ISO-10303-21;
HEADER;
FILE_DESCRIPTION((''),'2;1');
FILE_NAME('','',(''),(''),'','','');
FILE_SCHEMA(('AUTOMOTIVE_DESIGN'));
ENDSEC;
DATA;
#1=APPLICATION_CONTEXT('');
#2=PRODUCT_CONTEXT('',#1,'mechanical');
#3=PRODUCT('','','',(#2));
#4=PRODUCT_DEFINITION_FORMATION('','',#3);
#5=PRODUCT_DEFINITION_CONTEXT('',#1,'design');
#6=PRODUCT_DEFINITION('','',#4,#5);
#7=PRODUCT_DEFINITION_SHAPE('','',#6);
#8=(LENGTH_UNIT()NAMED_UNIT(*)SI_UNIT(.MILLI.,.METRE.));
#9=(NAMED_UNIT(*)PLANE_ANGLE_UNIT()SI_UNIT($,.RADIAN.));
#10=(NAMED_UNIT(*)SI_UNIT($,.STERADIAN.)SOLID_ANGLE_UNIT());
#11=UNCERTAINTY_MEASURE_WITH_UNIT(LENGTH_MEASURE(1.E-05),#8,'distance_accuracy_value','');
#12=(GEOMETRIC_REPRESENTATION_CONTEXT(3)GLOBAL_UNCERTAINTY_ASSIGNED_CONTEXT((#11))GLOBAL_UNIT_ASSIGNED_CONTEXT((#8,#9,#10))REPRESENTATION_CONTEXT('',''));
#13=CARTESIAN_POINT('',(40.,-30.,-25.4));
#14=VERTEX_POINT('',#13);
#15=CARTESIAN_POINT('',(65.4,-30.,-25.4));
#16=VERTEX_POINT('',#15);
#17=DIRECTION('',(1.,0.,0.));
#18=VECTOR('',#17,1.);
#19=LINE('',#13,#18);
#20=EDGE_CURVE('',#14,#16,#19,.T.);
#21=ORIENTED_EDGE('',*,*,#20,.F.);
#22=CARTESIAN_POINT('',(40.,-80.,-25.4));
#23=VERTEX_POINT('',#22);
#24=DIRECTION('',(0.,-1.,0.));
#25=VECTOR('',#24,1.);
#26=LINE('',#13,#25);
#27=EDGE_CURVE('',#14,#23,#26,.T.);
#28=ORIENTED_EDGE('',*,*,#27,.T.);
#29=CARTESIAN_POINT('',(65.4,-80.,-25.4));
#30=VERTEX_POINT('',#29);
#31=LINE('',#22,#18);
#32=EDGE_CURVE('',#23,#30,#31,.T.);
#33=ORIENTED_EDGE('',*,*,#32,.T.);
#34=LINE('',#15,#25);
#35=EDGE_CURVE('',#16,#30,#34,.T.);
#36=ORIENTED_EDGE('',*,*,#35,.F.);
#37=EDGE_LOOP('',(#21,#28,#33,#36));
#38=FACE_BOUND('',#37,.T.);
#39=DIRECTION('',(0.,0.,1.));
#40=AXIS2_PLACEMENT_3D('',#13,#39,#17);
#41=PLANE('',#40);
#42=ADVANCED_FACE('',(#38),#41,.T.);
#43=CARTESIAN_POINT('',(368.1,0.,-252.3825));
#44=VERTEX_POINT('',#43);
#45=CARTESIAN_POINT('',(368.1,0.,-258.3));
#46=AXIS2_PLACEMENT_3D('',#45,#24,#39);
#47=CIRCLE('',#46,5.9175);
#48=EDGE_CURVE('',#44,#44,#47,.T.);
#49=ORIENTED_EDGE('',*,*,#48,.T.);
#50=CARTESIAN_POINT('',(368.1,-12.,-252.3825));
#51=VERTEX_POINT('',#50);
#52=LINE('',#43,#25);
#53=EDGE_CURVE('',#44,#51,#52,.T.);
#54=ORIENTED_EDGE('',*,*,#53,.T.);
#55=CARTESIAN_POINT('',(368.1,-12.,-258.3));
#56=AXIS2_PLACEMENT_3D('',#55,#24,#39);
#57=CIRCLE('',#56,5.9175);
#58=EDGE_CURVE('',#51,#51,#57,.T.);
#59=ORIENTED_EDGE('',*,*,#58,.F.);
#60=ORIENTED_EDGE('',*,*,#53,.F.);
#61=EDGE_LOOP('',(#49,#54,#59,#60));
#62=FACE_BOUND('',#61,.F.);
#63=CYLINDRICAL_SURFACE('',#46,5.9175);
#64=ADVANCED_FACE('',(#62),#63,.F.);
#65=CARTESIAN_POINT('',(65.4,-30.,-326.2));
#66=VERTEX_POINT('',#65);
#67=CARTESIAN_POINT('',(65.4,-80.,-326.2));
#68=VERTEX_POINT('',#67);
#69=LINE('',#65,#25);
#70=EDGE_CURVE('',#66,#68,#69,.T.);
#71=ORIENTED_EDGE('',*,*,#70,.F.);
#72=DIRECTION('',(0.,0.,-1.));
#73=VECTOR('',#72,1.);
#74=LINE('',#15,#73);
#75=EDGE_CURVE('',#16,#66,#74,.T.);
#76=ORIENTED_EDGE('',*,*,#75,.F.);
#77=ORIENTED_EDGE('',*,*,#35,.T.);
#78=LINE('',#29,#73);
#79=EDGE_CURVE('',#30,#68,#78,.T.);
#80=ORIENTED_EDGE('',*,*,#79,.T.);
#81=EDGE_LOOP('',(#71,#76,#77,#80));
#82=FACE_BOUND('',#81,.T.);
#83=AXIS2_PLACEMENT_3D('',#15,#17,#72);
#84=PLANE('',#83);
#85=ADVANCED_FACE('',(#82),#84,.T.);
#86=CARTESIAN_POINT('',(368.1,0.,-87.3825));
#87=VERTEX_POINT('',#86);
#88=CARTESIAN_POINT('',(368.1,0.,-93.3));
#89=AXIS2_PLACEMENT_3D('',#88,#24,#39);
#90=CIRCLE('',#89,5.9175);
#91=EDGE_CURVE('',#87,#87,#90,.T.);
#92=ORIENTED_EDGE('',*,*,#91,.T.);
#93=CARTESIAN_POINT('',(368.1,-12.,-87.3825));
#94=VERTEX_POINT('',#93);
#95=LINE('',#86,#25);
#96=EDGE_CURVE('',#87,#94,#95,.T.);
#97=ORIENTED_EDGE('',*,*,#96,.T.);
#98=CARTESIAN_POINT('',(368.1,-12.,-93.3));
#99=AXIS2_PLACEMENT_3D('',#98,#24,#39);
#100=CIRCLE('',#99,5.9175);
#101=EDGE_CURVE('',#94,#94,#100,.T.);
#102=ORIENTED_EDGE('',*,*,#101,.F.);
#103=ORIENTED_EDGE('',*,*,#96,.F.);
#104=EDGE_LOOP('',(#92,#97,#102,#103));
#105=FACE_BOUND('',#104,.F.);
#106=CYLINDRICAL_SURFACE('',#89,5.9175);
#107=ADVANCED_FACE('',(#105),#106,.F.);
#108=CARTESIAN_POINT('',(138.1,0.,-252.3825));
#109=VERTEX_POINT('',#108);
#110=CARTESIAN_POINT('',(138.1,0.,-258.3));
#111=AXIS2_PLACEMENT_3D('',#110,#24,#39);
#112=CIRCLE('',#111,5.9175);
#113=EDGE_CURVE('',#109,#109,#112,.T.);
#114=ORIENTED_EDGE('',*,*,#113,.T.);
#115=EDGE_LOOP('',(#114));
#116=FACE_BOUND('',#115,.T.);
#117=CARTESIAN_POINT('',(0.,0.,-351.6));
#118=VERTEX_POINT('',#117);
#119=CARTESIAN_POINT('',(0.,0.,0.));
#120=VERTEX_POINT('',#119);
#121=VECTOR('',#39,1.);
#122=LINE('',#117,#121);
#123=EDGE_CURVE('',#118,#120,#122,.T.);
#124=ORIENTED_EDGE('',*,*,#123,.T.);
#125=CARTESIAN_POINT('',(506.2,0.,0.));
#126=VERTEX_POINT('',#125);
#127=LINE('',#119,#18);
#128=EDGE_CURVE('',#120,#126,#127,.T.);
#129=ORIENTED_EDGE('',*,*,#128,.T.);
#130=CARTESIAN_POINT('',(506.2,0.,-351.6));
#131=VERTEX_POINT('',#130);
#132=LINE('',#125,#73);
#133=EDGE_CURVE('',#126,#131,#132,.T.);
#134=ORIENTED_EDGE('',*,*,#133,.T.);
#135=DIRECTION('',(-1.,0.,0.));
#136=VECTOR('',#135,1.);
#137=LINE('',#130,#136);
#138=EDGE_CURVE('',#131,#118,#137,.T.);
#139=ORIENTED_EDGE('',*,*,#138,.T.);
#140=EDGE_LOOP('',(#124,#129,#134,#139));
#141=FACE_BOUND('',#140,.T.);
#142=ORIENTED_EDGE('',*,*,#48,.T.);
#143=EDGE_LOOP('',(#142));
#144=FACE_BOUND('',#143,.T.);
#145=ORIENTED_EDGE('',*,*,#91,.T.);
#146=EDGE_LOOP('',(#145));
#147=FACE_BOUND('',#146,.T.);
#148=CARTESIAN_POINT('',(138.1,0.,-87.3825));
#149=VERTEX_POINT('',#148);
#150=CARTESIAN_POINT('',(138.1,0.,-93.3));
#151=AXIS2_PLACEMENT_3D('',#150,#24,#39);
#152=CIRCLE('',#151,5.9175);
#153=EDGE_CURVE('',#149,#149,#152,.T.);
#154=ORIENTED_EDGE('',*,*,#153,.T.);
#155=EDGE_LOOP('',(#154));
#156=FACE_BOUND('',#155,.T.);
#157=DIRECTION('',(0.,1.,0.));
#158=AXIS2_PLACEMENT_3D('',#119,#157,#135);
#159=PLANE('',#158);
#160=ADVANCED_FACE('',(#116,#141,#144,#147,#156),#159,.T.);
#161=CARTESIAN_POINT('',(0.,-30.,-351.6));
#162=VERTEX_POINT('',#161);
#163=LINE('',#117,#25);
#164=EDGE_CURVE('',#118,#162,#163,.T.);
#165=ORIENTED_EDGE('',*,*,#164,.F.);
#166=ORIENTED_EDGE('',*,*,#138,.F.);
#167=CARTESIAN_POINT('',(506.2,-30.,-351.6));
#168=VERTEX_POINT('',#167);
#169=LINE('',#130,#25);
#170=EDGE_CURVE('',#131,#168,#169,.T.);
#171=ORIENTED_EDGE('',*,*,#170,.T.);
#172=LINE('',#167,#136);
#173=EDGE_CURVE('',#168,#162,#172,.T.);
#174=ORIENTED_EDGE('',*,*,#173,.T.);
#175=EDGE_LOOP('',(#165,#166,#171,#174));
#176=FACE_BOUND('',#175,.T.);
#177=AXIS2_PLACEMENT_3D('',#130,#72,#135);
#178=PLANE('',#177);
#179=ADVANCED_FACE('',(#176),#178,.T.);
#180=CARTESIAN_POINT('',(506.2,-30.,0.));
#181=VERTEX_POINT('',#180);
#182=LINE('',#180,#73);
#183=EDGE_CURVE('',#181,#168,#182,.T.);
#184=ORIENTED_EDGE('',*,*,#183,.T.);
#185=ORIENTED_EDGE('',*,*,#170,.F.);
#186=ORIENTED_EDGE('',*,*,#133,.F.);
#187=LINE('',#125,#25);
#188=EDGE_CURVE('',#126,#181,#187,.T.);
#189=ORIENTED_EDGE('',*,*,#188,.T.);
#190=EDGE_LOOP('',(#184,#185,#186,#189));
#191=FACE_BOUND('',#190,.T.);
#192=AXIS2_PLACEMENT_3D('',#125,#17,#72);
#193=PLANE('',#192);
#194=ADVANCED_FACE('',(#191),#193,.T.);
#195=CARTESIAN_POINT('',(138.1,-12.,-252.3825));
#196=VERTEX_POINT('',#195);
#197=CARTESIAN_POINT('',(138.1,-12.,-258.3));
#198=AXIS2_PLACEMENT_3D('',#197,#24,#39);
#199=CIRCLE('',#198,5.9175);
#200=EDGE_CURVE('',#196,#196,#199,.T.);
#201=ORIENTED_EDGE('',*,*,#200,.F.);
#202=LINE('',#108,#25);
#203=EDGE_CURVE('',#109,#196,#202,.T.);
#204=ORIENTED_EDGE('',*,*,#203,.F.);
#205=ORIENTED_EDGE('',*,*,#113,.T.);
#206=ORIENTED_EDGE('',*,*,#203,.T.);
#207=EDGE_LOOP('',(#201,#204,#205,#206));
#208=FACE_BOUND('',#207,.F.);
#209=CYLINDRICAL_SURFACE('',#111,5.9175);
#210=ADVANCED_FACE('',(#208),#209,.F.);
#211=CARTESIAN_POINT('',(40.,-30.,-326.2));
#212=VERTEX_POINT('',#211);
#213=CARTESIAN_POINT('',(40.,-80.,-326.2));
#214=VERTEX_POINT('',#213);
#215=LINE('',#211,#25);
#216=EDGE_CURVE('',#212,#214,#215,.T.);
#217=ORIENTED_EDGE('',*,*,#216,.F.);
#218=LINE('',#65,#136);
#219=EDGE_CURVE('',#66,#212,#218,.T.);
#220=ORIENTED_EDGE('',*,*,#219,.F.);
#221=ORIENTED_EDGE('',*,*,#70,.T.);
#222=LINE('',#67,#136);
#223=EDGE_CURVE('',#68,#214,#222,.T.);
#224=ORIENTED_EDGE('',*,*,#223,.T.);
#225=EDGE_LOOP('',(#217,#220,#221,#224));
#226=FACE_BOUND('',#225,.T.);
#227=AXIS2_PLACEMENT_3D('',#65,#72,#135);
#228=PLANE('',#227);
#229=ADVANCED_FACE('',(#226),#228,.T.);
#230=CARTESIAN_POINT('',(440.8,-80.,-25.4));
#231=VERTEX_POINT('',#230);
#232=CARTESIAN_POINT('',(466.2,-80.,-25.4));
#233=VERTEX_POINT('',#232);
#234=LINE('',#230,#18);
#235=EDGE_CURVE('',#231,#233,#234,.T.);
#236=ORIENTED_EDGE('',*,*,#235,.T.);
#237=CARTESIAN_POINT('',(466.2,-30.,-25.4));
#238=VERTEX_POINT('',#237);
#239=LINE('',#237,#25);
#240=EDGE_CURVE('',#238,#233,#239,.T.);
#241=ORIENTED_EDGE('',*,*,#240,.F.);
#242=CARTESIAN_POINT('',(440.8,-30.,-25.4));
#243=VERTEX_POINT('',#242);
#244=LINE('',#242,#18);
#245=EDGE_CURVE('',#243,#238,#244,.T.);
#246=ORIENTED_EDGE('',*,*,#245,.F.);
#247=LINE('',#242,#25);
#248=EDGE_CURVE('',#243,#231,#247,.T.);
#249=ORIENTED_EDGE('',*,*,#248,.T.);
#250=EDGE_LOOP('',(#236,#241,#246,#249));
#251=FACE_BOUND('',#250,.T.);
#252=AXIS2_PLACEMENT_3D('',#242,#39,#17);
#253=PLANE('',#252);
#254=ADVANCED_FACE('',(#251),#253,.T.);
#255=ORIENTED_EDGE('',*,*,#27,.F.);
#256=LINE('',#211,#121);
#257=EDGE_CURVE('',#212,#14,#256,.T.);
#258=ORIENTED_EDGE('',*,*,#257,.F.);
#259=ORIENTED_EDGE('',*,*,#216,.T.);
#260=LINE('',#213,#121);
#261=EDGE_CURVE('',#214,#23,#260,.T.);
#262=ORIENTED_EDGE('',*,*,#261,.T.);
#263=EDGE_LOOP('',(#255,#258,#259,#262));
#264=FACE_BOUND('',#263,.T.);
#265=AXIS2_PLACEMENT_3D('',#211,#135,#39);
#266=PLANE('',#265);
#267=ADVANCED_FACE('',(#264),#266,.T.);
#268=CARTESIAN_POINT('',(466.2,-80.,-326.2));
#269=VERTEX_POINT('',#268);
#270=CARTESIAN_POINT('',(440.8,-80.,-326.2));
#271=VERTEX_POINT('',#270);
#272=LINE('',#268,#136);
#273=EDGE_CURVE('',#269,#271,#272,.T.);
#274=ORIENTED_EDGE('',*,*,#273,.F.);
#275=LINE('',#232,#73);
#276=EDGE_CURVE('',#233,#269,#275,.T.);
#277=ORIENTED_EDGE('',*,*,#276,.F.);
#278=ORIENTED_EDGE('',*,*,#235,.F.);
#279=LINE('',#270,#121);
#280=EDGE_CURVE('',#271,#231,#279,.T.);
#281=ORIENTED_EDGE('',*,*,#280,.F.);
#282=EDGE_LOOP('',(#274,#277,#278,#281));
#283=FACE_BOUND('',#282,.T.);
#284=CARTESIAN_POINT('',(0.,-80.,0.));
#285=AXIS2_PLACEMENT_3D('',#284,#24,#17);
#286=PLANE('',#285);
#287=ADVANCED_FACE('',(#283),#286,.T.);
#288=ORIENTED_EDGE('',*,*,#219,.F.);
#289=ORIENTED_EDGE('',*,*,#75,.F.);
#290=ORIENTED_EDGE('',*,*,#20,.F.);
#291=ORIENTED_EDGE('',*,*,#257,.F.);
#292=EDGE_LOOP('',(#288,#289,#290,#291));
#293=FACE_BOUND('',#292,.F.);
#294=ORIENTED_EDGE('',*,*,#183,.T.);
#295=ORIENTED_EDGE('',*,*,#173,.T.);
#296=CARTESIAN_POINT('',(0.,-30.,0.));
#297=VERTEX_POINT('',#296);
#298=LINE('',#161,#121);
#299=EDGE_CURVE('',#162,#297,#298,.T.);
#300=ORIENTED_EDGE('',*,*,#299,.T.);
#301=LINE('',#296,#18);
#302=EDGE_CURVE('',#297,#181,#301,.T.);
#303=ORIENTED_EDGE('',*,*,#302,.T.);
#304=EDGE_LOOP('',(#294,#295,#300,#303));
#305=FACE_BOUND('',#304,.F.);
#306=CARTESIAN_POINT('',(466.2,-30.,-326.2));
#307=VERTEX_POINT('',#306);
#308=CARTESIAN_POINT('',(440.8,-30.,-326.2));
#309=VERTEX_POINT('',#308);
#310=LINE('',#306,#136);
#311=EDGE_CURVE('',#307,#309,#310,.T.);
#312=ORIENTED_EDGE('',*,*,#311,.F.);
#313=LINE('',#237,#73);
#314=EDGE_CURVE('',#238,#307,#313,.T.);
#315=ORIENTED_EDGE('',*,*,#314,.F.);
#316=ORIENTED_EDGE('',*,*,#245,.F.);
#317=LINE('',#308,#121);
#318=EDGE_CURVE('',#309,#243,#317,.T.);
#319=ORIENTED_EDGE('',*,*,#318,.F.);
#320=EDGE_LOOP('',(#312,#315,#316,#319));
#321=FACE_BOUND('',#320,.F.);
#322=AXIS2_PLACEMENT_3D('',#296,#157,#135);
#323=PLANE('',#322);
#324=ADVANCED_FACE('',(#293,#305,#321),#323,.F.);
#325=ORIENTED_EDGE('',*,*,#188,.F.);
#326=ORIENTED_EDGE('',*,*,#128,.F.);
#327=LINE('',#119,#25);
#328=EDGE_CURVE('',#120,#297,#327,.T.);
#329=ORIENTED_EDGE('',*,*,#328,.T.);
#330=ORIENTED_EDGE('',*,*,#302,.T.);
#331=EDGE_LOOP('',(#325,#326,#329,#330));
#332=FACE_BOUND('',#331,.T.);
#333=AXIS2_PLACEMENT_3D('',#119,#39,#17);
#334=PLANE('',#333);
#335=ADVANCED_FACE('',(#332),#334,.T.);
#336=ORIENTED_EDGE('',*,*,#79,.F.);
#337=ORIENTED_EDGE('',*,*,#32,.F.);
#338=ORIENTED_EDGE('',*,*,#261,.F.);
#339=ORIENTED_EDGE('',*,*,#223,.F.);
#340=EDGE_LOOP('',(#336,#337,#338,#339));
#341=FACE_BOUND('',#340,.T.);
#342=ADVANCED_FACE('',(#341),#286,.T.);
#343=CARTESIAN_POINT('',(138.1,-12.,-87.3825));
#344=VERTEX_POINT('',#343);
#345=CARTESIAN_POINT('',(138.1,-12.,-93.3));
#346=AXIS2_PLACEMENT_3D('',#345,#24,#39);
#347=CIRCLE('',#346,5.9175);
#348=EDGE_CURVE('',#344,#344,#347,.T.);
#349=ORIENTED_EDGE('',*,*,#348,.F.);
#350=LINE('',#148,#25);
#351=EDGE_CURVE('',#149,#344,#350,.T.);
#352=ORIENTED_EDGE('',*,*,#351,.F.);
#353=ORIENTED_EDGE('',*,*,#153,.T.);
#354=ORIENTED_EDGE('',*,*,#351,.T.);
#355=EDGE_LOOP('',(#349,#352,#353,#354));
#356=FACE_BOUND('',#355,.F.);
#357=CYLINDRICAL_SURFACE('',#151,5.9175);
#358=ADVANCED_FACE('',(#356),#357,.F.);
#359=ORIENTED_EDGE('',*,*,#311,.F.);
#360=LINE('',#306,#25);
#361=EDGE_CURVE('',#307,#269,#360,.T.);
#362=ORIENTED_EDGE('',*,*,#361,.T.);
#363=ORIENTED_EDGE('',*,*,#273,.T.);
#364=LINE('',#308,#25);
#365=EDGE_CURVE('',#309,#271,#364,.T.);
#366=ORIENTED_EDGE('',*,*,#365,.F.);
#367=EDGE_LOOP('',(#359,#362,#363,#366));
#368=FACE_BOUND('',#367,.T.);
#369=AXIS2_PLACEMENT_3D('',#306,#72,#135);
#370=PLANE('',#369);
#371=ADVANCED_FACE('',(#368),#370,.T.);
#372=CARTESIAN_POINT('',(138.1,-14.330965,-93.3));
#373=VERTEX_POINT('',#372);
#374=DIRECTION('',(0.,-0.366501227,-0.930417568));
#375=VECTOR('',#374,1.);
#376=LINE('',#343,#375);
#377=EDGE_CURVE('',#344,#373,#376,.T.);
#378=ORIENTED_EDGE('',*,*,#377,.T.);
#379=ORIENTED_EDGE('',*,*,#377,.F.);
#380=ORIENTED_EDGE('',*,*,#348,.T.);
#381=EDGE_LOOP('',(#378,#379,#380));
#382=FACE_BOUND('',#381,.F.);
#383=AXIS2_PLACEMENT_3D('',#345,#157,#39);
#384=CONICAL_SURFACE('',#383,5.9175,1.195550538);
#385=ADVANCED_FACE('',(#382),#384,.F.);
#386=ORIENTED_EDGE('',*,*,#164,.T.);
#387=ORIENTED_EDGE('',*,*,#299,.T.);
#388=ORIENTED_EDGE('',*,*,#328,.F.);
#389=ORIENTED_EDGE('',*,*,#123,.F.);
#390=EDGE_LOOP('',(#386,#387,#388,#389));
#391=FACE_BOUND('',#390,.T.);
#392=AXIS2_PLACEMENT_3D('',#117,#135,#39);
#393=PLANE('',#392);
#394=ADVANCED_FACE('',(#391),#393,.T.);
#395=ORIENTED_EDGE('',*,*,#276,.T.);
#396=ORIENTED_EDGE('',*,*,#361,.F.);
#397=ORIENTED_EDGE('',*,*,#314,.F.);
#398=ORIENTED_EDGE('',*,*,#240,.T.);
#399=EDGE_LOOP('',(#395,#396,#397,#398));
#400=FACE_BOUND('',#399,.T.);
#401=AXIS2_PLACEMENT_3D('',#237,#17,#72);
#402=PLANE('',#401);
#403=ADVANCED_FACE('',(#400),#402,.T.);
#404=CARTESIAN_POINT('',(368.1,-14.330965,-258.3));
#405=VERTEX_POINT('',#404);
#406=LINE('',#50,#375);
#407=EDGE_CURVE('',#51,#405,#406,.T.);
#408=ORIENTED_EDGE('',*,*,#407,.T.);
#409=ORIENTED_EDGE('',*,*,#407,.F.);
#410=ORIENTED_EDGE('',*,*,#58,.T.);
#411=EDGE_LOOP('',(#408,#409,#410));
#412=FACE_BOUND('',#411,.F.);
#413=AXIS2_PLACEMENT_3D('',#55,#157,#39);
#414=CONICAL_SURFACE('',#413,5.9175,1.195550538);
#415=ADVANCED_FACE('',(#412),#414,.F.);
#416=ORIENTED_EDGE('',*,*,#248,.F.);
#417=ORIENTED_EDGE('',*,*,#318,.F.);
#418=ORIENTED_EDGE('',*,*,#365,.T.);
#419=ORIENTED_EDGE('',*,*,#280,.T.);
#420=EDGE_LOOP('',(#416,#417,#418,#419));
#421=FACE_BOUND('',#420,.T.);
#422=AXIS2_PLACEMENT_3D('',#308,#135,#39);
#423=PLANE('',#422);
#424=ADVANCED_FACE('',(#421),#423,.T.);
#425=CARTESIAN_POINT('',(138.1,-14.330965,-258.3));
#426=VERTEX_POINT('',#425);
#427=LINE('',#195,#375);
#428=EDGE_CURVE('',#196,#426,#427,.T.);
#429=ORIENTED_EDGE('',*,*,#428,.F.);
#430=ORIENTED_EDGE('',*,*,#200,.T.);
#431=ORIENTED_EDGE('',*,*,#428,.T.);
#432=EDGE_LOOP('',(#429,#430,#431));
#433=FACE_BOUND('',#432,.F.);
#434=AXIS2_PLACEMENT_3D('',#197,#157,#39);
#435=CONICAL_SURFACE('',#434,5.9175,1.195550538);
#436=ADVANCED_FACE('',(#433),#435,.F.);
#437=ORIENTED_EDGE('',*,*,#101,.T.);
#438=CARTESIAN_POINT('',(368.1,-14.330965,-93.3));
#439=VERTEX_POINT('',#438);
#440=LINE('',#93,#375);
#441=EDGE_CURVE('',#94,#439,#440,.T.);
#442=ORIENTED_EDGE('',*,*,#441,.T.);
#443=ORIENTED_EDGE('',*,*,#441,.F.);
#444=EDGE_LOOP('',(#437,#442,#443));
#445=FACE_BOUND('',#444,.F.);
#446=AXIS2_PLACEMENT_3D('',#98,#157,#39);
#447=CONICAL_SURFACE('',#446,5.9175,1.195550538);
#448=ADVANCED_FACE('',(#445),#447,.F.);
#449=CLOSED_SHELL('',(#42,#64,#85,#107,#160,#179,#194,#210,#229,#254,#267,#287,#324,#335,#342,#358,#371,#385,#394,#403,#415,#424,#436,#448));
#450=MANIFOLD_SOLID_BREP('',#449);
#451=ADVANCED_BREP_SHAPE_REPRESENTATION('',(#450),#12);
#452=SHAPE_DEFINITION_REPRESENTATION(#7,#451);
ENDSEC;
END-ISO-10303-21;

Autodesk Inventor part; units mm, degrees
ref_plane "YZ Plane" through (0, 0, 0) normal (1, 0, 0) x (0, 1, 0)
ref_plane "XZ Plane" through (0, 0, 0) normal (0, 1, 0) x (-1, 0, 0)
ref_plane "XY Plane" through (0, 0, 0) normal (0, 0, 1) x (1, 0, 0)
sketch "Sketch1" plane through (0, 0, 0) normal (0, 1, 0) x (-1, 0, 0)
  line L0 (0, 0) -> (-506.2, 0)
  line L1 (-506.2, 0) -> (-506.2, -351.6)
  line L2 (-506.2, -351.6) -> (0, -351.6)
  line L3 (0, -351.6) -> (0, 0)
  dimension "d0" = 506.2
  dimension "d1" = 351.6
extrude "Extrusion1" add sketch "Sketch1" against normal blind 30
sketch "Sketch2" plane through (0, -30, 0) normal (0, -1, 0) x (1, 0, 0)
  line L0 (466.2, -326.2) -> (440.8, -326.2)
  line L1 (440.8, -326.2) -> (440.8, -25.4)
  line L2 (440.8, -25.4) -> (466.2, -25.4)
  line L3 (466.2, -25.4) -> (466.2, -326.2)
  line L4 (65.4, -326.2) -> (40, -326.2)
  line L5 (40, -326.2) -> (40, -25.4)
  line L6 (40, -25.4) -> (65.4, -25.4)
  line L7 (65.4, -25.4) -> (65.4, -326.2)
  line L8 (506.2, 0) -> (0, 0) projected
  line L9 (0, -351.6) -> (506.2, -351.6) projected
  line L10 (0, 0) -> (0, -351.6) projected
  dimension "d4" = 25.4
  dimension "d5" = 25.4
  dimension "d6" = 25.4
  dimension "d7" = 25.4
  dimension "d9" = 25.4
  dimension "d10" = 25.4
  dimension "d11" = 40
  dimension "d12" = 375.4
extrude "Extrusion2" add sketch "Sketch2" along normal blind 50
sketch "Sketch4" plane through (0, 0, 0) normal (0, 1, 0) x (1, 0, 0)
  line L0 (0, 351.6) -> (0, 0) projected
  line L1 (506.2, 351.6) -> (0, 351.6) projected
  line L2 (506.2, 0) -> (506.2, 351.6) projected
  point P0 (138.1, 258.3)
  point P1 (368.1, 258.3)
  point P2 (138.1, 93.3)
  point P3 (368.1, 93.3)
  dimension "d22" = 230
  dimension "d23" = 230
  dimension "d24" = 165
  dimension "d25" = 165
  dimension "d26" = 138.1
  dimension "d27" = 138.1
  dimension "d28" = 93.3
  dimension "d36" = 93.3
hole "Hole1" at (138.1, 0, -258.3) at (368.1, 0, -258.3) at (138.1, 0, -93.3) at (368.1, 0, -93.3) direction (0, -1, 0) diameter 11.835 depth 12 tip angle 137 thread size "M14x2" class "6H" standard "ISO Metric profile"
equation "\"d6\" = d4"
equation "\"d10\" = d9"
equation "\"d23\" = d22"
equation "\"d25\" = d24"
equation "\"d27\" = d26"
equation "\"d36\" = d28"
properties part number "Soporte de matriz"
